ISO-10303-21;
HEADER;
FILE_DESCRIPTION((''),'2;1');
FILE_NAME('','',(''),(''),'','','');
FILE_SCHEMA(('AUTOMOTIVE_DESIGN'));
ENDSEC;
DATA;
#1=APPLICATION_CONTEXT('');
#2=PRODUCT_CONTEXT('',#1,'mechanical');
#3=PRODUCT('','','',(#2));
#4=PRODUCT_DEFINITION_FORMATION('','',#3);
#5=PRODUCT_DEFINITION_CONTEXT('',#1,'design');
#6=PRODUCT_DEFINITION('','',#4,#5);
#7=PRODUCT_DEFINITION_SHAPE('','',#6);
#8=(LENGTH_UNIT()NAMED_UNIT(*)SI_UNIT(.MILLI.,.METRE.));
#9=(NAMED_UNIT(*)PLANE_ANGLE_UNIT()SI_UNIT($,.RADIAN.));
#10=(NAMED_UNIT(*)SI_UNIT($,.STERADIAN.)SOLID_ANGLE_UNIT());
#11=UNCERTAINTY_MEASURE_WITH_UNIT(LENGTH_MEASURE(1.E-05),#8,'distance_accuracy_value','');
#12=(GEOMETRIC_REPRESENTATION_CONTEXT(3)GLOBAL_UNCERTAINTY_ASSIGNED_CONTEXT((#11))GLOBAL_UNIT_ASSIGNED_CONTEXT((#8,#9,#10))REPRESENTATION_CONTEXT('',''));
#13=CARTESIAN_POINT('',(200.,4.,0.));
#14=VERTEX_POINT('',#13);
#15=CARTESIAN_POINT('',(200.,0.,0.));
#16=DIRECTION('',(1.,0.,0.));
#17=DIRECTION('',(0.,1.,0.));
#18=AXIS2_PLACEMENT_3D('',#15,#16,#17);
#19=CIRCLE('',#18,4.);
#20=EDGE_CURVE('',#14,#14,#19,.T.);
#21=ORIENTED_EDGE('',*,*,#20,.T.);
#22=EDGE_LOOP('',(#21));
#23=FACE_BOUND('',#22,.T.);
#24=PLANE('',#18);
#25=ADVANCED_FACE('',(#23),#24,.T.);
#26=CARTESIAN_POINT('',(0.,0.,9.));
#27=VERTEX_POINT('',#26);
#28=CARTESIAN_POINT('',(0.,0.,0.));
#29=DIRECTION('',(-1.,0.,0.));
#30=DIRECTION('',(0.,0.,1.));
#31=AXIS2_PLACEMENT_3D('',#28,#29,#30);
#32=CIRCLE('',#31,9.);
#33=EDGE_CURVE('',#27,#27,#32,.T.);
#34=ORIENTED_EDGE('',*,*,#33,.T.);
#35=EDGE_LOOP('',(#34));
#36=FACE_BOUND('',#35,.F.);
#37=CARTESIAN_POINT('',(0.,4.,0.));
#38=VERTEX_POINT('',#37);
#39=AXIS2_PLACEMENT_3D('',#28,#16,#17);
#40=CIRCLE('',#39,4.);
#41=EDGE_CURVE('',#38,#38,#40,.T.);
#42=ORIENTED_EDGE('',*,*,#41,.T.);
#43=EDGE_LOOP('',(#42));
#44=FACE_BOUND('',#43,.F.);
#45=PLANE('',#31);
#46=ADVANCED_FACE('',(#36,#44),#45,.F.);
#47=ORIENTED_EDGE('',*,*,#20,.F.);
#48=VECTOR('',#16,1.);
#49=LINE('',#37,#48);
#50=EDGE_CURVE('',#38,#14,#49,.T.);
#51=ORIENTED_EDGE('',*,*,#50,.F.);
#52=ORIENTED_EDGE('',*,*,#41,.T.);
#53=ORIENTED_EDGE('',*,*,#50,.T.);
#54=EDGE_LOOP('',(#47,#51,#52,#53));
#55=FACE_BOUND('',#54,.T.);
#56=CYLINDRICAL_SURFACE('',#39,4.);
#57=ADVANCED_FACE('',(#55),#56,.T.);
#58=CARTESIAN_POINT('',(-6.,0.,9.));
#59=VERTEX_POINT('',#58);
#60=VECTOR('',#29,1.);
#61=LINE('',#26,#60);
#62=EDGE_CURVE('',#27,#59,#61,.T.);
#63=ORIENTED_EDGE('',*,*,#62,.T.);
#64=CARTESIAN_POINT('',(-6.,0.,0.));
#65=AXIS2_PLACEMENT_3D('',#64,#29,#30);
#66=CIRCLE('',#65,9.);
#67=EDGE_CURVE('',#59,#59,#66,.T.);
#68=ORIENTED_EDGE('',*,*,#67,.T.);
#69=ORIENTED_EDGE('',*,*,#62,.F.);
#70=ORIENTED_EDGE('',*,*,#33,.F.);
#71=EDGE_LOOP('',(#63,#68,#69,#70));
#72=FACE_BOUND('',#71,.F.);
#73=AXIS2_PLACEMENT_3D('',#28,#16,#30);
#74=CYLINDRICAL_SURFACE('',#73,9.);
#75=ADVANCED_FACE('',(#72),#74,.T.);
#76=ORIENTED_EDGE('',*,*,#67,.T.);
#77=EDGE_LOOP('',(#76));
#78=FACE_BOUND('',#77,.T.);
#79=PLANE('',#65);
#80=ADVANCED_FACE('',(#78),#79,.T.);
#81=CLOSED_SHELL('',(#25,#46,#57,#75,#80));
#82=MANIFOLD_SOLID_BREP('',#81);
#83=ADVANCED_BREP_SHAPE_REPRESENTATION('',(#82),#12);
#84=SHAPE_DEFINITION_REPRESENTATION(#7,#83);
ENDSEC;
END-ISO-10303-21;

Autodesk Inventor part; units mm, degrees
ref_plane "Start Plane" through (0, 0, 0) normal (1, 0, 0) x (0, 1, 0)
ref_plane "XZ Plane" through (0, 0, 0) normal (0, 1, 0) x (-1, 0, 0)
ref_plane "XY Plane" through (0, 0, 0) normal (0, 0, 1) x (1, 0, 0)
sketch "Main Sketch" plane through (0, 0, 0) normal (0, 0, 1) x (1, 0, 0)
  line L0 (0, 0) -> (200, 0)
  line L1 (0, 0) -> (0, 4)
  line L2 (200, 4) -> (200, 0)
  line L3 (0, 4) -> (200, 4)
  dimension "d3" = 8
revolve "Revolution1" add sketch "Main Sketch" angle 360 about axis through (0, 0, 0) along (1, 0, 0)
sketch "Sketch4" plane through (0, 0, 0) normal (-1, 0, 0) x (0, 0, 1)
  circle A0 centre (0, 0) radius 9
  dimension "d10" = 18
extrude "Extrusion1" add sketch "Sketch4" along normal blind 6
equation "\"Length\" = 200"
properties part number "Shaft" material "Steel"
